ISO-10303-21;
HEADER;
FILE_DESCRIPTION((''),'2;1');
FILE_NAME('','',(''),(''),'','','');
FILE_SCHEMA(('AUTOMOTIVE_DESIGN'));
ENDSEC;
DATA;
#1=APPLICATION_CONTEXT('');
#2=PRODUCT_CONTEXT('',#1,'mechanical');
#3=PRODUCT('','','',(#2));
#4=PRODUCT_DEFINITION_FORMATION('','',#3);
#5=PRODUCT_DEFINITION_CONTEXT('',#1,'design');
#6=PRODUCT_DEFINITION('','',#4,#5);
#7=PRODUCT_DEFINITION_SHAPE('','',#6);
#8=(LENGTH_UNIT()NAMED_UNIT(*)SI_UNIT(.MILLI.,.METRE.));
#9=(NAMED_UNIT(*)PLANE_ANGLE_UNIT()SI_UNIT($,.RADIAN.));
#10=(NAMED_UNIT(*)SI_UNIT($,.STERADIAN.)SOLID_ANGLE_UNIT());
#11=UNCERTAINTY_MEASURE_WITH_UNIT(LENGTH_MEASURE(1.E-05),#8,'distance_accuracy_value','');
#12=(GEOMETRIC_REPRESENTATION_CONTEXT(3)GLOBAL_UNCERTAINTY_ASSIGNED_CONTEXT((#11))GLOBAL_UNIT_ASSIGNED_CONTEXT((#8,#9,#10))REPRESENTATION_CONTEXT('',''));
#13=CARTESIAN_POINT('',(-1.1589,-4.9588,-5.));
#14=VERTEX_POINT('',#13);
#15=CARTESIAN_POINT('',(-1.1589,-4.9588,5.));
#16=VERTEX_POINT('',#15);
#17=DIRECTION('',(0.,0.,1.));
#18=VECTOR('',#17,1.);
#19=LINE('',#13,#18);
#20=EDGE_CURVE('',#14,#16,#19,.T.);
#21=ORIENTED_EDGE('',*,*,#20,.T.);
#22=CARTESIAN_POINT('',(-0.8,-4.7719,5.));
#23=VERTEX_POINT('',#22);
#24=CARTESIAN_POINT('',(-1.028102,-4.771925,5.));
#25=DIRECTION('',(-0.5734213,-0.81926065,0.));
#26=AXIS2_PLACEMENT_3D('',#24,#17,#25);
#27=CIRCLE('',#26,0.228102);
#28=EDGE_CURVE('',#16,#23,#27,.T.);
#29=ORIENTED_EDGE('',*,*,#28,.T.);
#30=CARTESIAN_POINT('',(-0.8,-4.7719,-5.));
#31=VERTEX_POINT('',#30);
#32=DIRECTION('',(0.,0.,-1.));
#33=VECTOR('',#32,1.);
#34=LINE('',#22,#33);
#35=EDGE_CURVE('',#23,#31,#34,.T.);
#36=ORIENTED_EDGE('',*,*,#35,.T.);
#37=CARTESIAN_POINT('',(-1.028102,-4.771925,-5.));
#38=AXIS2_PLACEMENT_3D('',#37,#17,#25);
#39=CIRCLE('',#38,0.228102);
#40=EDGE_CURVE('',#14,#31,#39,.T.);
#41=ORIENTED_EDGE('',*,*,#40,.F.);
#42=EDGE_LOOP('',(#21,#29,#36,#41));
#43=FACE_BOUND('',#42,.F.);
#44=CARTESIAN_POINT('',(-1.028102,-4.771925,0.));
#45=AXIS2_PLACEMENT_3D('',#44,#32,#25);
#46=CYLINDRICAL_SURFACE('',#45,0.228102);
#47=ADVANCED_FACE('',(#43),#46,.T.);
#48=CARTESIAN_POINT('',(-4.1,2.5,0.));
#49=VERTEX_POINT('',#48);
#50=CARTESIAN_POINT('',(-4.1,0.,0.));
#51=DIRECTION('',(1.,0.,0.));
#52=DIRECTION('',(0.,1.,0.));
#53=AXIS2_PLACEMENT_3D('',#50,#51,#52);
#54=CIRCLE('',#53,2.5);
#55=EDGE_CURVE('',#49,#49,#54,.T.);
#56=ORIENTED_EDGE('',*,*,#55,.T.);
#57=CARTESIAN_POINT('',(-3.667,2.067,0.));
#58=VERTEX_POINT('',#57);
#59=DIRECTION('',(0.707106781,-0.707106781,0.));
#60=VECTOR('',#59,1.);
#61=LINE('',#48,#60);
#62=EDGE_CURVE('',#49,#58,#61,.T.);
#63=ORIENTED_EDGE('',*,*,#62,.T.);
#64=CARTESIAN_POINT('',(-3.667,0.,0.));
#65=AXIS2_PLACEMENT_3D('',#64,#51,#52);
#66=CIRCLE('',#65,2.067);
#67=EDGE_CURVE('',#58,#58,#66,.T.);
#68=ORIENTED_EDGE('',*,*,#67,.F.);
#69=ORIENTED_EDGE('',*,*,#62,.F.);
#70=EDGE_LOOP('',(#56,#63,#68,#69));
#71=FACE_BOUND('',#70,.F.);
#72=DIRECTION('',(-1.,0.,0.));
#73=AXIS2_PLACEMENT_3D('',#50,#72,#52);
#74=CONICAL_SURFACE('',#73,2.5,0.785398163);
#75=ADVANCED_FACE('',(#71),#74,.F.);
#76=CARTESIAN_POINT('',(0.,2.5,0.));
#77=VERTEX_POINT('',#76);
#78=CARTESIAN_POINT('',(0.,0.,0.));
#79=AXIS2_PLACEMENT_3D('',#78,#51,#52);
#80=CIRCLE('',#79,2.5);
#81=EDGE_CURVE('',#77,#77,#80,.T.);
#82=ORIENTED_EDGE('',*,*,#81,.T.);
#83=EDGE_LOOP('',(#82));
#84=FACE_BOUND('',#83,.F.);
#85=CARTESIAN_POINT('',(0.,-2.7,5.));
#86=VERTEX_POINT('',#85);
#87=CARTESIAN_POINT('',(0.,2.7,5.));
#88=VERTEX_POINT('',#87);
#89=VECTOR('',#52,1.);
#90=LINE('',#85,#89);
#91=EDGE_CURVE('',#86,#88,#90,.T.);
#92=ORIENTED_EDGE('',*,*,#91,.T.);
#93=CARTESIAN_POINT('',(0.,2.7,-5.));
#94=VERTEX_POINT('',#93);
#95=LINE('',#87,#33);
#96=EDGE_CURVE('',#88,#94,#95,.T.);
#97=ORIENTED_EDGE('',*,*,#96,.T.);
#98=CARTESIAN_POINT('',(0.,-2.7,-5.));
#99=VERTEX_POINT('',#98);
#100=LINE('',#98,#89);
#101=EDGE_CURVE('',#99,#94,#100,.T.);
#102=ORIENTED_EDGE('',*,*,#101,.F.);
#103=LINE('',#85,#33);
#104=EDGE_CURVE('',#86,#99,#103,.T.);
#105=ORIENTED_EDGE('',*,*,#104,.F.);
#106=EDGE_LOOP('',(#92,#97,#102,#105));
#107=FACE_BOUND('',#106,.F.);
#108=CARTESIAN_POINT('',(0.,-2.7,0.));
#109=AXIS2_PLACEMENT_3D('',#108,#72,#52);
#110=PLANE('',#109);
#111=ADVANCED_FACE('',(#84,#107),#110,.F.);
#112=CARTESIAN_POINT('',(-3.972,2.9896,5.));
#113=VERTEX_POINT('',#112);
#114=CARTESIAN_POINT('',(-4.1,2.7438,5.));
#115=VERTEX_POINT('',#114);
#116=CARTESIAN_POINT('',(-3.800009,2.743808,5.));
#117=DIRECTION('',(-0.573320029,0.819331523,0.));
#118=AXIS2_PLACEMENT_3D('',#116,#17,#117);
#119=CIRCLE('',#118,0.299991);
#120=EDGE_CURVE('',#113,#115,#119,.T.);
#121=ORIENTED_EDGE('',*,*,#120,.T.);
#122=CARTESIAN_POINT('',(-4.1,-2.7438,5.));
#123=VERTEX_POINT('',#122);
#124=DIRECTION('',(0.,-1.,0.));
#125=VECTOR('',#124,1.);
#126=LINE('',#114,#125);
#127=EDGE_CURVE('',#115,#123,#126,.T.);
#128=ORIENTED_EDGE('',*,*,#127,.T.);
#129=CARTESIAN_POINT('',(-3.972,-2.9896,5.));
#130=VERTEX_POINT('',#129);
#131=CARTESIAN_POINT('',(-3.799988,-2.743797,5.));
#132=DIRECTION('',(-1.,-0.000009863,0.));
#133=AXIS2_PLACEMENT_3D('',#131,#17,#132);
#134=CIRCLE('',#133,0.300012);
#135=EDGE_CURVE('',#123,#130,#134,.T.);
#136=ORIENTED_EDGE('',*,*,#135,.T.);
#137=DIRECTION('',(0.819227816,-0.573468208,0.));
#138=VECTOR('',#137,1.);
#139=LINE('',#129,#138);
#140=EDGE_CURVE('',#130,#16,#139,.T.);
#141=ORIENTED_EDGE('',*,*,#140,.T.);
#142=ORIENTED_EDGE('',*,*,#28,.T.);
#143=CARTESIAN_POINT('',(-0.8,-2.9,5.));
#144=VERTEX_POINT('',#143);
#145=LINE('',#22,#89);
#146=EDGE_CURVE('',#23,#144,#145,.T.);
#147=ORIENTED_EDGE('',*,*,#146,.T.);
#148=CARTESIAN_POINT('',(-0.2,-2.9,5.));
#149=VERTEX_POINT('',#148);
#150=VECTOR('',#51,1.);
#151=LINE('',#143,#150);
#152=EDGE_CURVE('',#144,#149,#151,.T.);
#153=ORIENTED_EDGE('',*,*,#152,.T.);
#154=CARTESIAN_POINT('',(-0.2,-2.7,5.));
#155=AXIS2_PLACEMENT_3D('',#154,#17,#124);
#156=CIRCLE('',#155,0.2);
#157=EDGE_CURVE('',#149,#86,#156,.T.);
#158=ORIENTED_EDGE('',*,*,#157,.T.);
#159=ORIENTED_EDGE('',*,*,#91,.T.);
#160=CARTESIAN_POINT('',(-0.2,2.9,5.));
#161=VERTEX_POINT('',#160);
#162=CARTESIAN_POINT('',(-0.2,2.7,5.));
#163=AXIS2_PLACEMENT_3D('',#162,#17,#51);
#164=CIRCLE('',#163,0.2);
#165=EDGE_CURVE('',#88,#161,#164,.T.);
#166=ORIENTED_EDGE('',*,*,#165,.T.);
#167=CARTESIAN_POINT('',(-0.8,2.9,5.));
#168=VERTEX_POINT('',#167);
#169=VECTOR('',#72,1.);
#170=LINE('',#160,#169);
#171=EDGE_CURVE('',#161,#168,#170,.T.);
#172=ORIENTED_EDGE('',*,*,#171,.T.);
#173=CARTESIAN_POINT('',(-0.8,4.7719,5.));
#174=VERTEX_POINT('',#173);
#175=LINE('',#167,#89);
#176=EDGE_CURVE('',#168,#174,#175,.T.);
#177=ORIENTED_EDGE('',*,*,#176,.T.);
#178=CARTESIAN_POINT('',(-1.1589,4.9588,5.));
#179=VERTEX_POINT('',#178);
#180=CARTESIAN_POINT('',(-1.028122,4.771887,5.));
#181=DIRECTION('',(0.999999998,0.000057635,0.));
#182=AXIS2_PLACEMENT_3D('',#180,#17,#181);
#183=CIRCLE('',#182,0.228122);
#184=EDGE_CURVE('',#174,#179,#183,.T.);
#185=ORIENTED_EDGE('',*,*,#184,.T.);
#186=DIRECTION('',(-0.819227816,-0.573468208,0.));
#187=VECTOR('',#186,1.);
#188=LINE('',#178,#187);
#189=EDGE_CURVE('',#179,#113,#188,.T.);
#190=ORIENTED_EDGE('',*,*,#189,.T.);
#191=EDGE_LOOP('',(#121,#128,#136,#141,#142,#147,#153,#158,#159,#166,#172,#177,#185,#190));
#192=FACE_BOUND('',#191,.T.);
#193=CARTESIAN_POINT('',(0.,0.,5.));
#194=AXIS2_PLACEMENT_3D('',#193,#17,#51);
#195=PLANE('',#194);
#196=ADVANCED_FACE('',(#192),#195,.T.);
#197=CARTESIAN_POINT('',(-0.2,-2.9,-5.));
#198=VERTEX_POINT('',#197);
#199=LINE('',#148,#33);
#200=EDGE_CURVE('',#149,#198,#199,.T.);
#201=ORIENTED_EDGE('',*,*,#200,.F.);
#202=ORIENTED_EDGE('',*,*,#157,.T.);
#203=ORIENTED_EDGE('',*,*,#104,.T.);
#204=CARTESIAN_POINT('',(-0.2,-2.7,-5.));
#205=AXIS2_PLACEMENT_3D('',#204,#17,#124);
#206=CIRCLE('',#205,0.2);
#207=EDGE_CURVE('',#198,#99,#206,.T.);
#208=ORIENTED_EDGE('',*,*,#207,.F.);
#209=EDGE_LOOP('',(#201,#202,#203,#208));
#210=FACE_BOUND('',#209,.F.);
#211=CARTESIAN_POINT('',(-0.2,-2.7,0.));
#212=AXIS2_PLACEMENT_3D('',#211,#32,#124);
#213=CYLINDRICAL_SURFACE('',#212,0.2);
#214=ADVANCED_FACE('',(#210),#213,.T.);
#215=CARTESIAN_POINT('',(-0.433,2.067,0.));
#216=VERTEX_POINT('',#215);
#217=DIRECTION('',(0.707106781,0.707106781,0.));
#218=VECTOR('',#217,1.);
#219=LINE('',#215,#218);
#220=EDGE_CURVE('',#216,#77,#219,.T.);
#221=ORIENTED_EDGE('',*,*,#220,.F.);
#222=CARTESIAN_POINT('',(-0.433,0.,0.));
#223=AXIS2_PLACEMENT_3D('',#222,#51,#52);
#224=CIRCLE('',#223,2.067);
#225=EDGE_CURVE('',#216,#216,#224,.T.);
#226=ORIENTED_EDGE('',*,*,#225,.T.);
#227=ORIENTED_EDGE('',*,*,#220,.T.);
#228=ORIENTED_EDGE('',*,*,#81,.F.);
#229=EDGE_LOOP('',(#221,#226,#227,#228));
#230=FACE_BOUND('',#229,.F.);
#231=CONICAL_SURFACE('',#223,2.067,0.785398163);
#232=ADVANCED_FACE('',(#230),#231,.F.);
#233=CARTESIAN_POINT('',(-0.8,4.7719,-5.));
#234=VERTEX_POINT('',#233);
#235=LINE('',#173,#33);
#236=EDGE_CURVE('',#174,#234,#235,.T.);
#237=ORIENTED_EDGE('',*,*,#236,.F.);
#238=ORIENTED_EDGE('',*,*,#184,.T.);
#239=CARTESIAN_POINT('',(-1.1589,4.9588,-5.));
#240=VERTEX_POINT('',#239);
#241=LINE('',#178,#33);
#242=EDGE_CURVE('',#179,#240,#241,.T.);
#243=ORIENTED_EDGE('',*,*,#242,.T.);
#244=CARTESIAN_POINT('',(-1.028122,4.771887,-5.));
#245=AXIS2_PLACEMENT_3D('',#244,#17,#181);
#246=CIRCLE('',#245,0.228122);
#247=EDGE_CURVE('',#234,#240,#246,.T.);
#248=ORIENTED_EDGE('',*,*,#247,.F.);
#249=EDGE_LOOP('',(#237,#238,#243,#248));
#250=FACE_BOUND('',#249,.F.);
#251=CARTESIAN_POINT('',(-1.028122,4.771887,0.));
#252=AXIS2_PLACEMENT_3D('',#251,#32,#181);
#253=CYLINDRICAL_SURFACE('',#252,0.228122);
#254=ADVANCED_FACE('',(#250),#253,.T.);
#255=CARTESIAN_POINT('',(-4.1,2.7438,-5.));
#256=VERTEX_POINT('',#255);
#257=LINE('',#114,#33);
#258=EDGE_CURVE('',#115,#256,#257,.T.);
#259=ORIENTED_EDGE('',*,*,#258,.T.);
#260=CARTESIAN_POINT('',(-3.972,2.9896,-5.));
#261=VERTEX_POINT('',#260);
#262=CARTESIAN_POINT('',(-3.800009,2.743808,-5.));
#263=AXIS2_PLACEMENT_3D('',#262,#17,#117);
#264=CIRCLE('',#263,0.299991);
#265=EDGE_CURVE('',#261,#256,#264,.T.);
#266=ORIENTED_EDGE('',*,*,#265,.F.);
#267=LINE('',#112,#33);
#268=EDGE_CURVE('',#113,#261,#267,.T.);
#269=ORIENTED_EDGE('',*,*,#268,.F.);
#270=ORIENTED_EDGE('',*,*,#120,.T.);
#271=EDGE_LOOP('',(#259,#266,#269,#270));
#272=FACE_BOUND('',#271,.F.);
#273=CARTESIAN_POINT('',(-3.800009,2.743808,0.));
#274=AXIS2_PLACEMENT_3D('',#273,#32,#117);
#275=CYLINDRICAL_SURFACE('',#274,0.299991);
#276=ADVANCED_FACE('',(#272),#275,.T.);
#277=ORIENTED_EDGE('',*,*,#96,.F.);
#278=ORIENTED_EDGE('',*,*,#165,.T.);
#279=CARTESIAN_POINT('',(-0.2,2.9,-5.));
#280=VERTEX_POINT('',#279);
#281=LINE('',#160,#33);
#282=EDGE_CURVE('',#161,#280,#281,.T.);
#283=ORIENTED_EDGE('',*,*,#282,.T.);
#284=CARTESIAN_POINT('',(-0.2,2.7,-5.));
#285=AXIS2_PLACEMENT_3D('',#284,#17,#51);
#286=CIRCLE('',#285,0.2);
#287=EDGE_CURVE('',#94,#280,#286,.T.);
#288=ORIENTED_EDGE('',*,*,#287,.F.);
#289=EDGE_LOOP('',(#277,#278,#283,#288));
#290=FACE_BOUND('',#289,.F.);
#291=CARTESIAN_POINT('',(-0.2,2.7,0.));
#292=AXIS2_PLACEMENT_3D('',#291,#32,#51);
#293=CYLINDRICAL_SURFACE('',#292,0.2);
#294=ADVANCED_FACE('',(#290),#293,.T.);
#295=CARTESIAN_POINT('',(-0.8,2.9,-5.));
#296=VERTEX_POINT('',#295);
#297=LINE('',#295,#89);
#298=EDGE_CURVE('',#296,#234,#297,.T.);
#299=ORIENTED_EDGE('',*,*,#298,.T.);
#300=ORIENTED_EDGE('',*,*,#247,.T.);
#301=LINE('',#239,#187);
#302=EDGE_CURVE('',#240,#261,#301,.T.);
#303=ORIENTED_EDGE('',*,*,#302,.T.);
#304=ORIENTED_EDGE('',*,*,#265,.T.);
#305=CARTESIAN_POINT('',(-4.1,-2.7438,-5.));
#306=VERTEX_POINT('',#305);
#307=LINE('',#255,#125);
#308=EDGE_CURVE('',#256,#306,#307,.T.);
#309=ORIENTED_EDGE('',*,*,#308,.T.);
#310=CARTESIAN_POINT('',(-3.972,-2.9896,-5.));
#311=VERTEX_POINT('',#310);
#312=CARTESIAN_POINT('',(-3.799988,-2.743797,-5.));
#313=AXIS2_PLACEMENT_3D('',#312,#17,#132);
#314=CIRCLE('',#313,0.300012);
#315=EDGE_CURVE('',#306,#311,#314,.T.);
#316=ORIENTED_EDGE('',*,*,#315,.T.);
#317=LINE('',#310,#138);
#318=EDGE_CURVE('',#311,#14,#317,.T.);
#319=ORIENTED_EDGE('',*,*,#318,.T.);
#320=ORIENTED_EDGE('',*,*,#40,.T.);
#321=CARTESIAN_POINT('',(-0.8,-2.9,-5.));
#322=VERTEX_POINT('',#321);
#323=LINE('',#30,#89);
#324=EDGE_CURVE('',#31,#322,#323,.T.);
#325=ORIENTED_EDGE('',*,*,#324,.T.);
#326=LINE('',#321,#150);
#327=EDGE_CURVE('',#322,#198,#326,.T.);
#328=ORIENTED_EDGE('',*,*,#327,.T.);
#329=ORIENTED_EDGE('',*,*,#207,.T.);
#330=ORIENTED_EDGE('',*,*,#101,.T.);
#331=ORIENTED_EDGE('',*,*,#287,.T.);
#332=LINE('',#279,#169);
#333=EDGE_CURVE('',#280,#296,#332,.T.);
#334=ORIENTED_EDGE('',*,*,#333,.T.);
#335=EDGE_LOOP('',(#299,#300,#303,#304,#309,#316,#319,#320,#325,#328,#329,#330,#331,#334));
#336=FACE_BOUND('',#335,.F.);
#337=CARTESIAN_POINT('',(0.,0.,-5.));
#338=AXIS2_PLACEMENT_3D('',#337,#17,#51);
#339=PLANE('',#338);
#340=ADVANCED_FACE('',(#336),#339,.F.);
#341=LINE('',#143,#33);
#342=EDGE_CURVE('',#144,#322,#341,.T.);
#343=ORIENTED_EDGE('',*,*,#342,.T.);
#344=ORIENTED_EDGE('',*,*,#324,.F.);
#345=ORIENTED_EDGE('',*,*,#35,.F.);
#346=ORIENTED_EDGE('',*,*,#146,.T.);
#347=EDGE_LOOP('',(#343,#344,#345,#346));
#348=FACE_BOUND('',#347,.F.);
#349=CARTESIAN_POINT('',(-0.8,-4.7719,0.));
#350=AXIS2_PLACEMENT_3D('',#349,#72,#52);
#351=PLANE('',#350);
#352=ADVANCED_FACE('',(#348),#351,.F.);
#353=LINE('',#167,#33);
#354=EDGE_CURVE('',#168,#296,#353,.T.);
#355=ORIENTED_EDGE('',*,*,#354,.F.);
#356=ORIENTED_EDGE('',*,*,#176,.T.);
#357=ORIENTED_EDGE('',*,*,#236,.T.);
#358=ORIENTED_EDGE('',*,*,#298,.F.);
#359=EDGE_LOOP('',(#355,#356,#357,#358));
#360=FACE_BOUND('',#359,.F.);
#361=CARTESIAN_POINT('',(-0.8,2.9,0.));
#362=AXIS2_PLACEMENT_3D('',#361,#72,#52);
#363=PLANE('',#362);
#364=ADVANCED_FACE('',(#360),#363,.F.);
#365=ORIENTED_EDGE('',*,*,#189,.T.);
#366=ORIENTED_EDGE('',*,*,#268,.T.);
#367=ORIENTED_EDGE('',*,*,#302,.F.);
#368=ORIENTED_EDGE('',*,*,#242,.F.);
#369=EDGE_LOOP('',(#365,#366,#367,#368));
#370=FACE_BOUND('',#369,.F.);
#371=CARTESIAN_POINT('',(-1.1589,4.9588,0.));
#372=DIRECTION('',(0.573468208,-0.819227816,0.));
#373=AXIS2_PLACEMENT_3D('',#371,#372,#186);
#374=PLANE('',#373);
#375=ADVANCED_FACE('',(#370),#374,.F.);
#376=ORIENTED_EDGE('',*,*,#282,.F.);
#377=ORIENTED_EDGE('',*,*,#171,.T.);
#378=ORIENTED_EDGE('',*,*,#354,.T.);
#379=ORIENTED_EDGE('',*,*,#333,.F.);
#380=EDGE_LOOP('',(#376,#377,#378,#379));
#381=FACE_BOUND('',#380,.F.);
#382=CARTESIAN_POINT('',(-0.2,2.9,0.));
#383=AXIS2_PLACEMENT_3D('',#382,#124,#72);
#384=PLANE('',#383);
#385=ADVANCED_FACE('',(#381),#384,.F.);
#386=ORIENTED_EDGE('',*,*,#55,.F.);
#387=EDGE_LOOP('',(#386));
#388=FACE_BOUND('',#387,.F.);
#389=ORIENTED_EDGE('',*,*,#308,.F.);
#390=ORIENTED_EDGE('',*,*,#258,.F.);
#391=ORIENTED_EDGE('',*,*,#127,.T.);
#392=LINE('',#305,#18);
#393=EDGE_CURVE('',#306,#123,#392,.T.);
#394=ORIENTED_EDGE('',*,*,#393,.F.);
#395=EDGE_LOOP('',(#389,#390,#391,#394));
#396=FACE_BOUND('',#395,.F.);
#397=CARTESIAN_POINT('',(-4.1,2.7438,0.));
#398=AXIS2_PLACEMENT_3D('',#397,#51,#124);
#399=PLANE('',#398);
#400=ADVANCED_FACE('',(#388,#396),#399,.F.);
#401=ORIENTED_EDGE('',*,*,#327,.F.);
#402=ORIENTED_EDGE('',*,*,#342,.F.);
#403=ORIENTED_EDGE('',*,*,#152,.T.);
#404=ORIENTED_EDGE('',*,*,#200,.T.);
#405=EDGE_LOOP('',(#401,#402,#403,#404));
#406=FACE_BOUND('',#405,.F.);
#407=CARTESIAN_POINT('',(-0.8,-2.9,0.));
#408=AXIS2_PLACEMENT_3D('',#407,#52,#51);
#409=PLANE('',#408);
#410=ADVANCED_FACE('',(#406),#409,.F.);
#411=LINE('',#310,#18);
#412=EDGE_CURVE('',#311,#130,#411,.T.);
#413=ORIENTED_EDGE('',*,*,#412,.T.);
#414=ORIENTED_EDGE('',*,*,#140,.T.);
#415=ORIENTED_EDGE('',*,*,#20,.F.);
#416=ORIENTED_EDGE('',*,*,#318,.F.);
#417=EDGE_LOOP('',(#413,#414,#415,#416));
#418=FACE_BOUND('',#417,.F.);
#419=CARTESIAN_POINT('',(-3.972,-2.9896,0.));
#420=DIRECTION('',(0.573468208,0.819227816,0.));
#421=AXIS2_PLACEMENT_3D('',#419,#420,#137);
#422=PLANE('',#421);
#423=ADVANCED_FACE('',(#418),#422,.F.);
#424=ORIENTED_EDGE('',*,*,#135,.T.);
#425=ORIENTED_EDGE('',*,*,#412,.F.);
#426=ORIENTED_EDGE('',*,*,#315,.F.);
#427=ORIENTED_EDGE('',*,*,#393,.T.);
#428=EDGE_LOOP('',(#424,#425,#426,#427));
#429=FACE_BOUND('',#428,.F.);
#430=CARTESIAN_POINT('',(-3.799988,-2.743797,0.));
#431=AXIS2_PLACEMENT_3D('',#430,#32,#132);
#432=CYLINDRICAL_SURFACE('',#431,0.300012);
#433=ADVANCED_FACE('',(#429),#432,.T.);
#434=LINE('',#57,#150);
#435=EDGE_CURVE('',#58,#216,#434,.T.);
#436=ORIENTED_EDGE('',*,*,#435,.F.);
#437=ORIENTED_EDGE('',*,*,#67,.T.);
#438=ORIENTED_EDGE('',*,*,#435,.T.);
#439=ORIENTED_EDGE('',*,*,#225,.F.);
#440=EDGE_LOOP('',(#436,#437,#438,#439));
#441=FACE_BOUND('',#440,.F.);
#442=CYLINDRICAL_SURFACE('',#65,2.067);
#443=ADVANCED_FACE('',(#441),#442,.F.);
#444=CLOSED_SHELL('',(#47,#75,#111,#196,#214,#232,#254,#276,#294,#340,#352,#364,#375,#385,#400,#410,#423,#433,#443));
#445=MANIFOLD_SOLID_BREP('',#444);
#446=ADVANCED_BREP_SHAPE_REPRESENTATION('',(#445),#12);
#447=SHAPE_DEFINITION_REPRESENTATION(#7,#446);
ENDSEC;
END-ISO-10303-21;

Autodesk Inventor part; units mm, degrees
sketch "Sketch_2" plane through (0, 0, 0) normal (0, 0, 1) x (1, 0, 0)
  arc A0 (-4.1, -2.7438) -> (-3.972, -2.9896) centre (-3.8, -2.7438) ccw
  line L0 (-3.972, -2.9896) -> (-1.1589, -4.9588)
  arc A1 (-1.1589, -4.9588) -> (-0.8, -4.7719) centre (-1.0281, -4.7719) ccw
  line L1 (-0.8, -4.7719) -> (-0.8, -2.9)
  line L2 (-0.8, -2.9) -> (-0.2, -2.9)
  arc A2 (-0.2, -2.9) -> (0, -2.7) centre (-0.2, -2.7) ccw
  line L3 (0, -2.7) -> (0, 2.7)
  arc A3 (0, 2.7) -> (-0.2, 2.9) centre (-0.2, 2.7) ccw
  line L4 (-0.2, 2.9) -> (-0.8, 2.9)
  line L5 (-0.8, 2.9) -> (-0.8, 4.7719)
  arc A4 (-0.8, 4.7719) -> (-1.1589, 4.9588) centre (-1.0281, 4.7719) ccw
  line L6 (-1.1589, 4.9588) -> (-3.972, 2.9896)
  arc A5 (-3.972, 2.9896) -> (-4.1, 2.7438) centre (-3.8, 2.7438) ccw
  line L7 (-4.1, 2.7438) -> (-4.1, -2.7438)
extrude "Extrusion1" add sketch "Sketch_2" along normal mid plane 10
sketch "Sketch_5" plane through (0, 0, 0) normal (0, 0, 1) x (1, 0, 0)
  line L0 (0, 0) -> (-4.1, 0)
  line L1 (-4.1, 0) -> (-4.1, 2.5)
  line L2 (-4.1, 2.5) -> (-3.667, 2.067)
  line L3 (-3.667, 2.067) -> (-0.433, 2.067)
  line L4 (-0.433, 2.067) -> (0, 2.5)
  line L5 (0, 2.5) -> (0, 0)
  line L6 (0, 0) -> (-4.1, 0)
revolve "Revolution1" cut sketch "Sketch_5" angle 360 about axis through (0, 0, 0) along (1, 0, 0)
thread "Thread1" size "M5x0.8" class "6H" standard "ISO Metric profile" full length
ref_plane "nut_XY" through (0, 0, 0) normal (1, 0, 0) x (0, 0, -1)
ref_plane "nut_YZ" through (0, 0, 0) normal (0, 0, -1) x (0, 1, 0)
ref_plane "nut_ZX" through (0, 0, 0) normal (0, 1, 0) x (1, 0, 0)
ref_plane "to_bolt_XY" through (-4.1, 0, 0) normal (1, 0, 0) x (0, 0, -1)
ref_plane "to_bolt_YZ" through (-4.1, 0, 0) normal (0, 0, -1) x (0, 1, 0)
ref_plane "to_bolt_ZX" through (-4.1, 0, 0) normal (0, 1, 0) x (1, 0, 0)
ref_plane "to_frames_XY" through (-0.8, 0, 0) normal (1, 0, 0) x (0, 0, -1)
ref_plane "to_frames_YZ" through (-0.8, 0, 0) normal (0, 0, -1) x (0, 1, 0)
ref_plane "to_frames_ZX" through (-0.8, 0, 0) normal (0, 1, 0) x (1, 0, 0)
ref_plane "to_lane_XY" through (0, 0, 0) normal (0, 0, 1) x (1, 0, 0)
ref_plane "to_lane_YZ" through (0, 0, 0) normal (1, 0, 0) x (0, 1, 0)
ref_plane "to_lane_ZX" through (0, 0, 0) normal (0, 1, 0) x (0, 0, 1)
properties part number "HNTTSS5-5"
